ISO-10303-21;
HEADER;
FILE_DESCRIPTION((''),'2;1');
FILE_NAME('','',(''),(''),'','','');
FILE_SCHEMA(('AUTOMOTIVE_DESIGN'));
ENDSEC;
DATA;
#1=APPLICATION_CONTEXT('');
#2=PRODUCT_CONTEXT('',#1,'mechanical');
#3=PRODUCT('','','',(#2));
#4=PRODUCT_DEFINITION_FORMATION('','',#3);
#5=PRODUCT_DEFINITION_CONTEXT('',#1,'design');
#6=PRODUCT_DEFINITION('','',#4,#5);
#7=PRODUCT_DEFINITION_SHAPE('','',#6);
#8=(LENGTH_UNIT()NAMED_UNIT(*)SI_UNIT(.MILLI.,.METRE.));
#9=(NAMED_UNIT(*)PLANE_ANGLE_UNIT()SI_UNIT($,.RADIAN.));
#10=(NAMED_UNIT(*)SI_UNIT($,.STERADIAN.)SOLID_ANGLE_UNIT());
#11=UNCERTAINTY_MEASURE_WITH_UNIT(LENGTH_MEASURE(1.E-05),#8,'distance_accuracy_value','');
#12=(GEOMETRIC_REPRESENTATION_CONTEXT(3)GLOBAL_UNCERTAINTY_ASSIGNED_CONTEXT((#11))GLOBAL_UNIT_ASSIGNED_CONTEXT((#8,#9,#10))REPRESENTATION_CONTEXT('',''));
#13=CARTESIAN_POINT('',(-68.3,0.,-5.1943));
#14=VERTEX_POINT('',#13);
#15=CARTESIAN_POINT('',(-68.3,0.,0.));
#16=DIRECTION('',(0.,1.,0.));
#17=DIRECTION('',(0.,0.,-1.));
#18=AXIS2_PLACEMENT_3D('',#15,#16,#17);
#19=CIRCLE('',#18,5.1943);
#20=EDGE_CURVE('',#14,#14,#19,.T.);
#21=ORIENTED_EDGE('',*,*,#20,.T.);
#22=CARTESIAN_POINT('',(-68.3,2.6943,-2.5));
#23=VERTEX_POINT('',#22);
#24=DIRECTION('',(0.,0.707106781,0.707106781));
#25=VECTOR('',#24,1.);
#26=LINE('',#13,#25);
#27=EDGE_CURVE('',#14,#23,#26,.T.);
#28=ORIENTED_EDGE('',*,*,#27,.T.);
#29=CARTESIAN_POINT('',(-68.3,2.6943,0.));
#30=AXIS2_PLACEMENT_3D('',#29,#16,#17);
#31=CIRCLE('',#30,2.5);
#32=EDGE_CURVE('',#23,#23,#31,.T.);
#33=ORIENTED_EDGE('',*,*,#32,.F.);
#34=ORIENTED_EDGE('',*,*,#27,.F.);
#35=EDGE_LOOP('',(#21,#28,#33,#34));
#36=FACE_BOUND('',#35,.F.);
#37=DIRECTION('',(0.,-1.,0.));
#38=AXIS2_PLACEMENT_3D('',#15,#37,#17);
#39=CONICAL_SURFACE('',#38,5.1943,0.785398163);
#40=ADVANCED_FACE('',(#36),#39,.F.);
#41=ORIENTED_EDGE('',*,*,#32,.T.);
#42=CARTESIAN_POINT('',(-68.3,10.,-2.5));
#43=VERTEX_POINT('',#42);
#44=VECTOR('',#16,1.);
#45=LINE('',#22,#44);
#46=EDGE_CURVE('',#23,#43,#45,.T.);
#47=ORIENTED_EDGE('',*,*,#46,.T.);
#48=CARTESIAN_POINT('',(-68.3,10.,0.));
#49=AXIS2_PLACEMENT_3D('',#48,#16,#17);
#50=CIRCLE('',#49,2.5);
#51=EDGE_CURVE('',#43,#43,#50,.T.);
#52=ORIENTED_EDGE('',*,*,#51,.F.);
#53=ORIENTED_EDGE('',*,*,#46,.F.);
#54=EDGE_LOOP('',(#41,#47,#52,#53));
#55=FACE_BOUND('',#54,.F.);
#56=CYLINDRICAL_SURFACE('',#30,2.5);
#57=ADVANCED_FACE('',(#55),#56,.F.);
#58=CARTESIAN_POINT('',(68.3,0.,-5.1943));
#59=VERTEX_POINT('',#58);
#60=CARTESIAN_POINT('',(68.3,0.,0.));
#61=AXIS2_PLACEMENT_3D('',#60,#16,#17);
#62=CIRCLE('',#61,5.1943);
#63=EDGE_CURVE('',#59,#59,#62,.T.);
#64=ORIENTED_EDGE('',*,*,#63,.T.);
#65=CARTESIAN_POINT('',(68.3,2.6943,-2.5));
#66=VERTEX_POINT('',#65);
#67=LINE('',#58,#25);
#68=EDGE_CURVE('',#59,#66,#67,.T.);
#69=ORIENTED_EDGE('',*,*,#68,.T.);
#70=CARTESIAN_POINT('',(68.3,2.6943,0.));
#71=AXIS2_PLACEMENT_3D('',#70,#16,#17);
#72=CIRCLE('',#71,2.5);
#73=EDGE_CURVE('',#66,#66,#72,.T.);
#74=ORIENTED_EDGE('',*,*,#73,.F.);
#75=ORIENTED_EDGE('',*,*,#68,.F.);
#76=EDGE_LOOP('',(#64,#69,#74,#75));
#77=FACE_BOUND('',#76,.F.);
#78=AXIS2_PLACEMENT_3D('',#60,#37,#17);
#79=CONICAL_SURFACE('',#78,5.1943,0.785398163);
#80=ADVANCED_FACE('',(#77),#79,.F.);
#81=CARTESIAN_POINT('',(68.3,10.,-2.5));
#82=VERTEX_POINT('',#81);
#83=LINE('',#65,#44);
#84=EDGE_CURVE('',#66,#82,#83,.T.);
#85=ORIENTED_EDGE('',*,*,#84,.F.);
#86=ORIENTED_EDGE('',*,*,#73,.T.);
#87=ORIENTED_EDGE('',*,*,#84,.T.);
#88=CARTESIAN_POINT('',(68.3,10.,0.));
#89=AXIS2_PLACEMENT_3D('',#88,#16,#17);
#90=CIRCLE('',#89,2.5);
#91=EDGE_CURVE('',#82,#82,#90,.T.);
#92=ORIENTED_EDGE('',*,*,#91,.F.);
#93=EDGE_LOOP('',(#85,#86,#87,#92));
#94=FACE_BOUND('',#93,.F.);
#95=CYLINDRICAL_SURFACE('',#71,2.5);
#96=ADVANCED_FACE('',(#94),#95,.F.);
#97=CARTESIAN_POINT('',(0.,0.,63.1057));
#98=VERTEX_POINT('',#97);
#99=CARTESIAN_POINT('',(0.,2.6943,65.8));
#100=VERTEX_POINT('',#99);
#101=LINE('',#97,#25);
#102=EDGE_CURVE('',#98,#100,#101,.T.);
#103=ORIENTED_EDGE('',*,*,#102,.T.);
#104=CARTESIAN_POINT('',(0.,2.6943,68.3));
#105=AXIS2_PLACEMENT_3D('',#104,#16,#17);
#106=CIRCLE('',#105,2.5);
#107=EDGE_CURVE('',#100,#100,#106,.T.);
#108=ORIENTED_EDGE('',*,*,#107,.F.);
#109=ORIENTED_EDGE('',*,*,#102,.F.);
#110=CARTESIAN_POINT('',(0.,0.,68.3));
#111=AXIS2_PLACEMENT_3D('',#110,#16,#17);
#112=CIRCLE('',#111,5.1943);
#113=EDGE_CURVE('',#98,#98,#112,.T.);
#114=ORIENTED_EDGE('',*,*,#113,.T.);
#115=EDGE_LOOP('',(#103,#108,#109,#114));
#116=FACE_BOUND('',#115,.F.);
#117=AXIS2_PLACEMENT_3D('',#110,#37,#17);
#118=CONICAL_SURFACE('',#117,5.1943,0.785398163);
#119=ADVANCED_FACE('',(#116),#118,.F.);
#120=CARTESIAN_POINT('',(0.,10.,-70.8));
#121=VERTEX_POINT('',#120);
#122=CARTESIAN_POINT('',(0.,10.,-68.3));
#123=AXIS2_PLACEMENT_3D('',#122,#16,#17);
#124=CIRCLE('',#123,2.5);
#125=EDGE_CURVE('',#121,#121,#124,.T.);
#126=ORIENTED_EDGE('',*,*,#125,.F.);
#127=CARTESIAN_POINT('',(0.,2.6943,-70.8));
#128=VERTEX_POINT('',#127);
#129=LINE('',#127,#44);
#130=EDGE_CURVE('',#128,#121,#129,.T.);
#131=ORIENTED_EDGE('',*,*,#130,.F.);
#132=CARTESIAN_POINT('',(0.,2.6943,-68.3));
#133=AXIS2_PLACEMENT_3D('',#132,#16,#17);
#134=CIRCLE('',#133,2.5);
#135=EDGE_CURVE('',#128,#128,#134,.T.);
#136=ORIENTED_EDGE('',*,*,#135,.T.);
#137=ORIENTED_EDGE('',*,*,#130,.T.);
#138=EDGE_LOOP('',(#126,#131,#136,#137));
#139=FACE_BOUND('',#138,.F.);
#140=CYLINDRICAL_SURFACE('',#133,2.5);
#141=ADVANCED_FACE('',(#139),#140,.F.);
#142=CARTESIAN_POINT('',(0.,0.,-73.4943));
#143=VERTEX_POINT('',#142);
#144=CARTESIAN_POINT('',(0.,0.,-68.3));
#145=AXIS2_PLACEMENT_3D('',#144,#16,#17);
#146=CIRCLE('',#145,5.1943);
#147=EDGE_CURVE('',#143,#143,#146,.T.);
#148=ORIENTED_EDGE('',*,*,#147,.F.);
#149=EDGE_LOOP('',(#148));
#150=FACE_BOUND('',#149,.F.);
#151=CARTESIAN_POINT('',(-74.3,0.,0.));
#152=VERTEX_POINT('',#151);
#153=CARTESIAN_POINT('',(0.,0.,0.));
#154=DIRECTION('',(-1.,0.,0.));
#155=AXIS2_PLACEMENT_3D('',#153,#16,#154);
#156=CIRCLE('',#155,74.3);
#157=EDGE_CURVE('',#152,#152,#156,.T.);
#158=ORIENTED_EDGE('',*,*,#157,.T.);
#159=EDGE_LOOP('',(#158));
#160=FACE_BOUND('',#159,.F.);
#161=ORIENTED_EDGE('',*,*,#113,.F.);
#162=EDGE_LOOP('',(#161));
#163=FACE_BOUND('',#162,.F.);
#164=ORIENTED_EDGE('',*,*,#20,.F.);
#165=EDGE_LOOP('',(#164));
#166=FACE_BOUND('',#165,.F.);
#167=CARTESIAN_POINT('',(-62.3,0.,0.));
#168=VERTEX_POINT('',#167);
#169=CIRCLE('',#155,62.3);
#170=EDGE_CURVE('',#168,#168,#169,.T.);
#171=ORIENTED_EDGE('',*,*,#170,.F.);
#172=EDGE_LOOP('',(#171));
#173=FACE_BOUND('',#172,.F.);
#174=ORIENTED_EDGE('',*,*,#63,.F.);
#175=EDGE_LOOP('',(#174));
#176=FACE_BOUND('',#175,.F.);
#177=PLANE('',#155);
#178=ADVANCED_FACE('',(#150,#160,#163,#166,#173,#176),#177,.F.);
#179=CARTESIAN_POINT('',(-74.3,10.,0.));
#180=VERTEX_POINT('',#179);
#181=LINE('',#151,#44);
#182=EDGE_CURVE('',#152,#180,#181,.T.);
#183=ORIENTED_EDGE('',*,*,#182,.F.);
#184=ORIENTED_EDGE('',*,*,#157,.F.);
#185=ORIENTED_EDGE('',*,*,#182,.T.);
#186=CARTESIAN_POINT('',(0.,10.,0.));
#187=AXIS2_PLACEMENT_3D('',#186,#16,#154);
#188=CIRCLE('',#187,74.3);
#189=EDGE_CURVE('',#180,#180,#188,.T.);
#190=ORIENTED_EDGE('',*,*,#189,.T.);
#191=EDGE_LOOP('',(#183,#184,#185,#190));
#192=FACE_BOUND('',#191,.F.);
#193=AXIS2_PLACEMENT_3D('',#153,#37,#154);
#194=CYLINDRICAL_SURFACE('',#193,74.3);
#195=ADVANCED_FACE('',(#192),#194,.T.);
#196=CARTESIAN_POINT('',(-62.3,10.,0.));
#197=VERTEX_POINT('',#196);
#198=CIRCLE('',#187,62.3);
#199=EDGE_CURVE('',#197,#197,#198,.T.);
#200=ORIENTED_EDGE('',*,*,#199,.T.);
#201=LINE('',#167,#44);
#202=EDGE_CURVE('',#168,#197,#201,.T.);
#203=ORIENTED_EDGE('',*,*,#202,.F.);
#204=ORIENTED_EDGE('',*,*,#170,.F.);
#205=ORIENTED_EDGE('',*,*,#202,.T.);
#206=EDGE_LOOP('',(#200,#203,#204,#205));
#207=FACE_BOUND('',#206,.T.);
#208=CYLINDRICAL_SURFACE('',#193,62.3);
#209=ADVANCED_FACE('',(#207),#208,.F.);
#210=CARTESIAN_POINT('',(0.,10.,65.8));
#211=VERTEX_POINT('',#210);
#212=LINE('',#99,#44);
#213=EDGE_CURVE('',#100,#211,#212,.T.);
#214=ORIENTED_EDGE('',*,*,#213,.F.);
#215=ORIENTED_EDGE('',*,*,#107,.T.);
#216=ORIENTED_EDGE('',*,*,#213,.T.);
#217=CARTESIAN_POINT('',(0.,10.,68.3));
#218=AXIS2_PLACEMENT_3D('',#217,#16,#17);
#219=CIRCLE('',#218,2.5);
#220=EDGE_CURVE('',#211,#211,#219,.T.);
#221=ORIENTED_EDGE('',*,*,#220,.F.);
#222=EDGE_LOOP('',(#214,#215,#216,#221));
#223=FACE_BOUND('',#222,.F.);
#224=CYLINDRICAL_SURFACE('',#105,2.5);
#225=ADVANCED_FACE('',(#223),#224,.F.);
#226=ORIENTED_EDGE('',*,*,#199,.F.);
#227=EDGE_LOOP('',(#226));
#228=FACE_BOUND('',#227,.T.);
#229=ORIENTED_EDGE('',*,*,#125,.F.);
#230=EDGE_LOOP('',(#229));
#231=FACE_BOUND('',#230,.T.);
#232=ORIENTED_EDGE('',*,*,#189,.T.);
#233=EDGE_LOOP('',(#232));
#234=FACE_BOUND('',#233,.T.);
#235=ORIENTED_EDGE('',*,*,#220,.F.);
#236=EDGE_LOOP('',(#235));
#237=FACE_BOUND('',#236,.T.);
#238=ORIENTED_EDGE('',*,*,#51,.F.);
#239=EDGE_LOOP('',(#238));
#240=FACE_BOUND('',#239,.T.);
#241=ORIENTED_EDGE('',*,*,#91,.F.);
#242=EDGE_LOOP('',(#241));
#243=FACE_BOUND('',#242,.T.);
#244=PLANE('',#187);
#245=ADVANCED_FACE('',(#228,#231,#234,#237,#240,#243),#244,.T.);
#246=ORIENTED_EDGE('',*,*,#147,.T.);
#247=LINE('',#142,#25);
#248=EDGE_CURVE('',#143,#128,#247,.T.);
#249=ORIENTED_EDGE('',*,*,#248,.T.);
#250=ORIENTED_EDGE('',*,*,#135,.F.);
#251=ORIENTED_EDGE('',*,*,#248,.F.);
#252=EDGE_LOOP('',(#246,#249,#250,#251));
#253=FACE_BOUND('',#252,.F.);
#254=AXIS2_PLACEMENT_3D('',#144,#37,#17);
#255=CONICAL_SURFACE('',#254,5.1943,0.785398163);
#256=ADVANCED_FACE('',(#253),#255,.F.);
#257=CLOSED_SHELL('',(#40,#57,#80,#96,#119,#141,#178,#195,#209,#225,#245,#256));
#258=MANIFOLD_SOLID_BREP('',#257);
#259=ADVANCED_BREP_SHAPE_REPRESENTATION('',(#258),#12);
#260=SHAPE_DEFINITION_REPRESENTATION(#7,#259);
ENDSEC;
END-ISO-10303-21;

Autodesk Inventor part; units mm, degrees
ref_plane "YZ Plane" through (0, 0, 0) normal (1, 0, 0) x (0, 1, 0)
ref_plane "XZ Plane" through (0, 0, 0) normal (0, 1, 0) x (-1, 0, 0)
ref_plane "XY Plane" through (0, 0, 0) normal (0, 0, 1) x (1, 0, 0)
sketch "Sketch1" plane through (0, 0, 0) normal (0, 1, 0) x (-1, 0, 0)
  circle A0 centre (0, 0) radius 74.3
  circle A1 centre (0, 0) radius 62.3
  line L0 (62.3, 0) -> (74.3, 0) construction
  point P0 (68.3, 0)
  point P1 (0, 68.3)
  point P2 (-68.3, 0)
  point P3 (0, -68.3)
  dimension "d0" = 148.6
  dimension "d1" = 12
  dimension "d4" = 360
extrude "Extrusion1" add sketch "Sketch1" along normal blind 10
hole "Hole1" at (-68.3, 0, 0) at (0, 0, 68.3) at (68.3, 0, 0) at (0, 0, -68.3) direction (0, 1, 0) diameter 5 end through all countersink diameter 10.3886 countersink angle 90 clearance for "Flat Head Machine Screw" size "M5" standard "Ansi Metric M Profile"
properties part number "OR"
